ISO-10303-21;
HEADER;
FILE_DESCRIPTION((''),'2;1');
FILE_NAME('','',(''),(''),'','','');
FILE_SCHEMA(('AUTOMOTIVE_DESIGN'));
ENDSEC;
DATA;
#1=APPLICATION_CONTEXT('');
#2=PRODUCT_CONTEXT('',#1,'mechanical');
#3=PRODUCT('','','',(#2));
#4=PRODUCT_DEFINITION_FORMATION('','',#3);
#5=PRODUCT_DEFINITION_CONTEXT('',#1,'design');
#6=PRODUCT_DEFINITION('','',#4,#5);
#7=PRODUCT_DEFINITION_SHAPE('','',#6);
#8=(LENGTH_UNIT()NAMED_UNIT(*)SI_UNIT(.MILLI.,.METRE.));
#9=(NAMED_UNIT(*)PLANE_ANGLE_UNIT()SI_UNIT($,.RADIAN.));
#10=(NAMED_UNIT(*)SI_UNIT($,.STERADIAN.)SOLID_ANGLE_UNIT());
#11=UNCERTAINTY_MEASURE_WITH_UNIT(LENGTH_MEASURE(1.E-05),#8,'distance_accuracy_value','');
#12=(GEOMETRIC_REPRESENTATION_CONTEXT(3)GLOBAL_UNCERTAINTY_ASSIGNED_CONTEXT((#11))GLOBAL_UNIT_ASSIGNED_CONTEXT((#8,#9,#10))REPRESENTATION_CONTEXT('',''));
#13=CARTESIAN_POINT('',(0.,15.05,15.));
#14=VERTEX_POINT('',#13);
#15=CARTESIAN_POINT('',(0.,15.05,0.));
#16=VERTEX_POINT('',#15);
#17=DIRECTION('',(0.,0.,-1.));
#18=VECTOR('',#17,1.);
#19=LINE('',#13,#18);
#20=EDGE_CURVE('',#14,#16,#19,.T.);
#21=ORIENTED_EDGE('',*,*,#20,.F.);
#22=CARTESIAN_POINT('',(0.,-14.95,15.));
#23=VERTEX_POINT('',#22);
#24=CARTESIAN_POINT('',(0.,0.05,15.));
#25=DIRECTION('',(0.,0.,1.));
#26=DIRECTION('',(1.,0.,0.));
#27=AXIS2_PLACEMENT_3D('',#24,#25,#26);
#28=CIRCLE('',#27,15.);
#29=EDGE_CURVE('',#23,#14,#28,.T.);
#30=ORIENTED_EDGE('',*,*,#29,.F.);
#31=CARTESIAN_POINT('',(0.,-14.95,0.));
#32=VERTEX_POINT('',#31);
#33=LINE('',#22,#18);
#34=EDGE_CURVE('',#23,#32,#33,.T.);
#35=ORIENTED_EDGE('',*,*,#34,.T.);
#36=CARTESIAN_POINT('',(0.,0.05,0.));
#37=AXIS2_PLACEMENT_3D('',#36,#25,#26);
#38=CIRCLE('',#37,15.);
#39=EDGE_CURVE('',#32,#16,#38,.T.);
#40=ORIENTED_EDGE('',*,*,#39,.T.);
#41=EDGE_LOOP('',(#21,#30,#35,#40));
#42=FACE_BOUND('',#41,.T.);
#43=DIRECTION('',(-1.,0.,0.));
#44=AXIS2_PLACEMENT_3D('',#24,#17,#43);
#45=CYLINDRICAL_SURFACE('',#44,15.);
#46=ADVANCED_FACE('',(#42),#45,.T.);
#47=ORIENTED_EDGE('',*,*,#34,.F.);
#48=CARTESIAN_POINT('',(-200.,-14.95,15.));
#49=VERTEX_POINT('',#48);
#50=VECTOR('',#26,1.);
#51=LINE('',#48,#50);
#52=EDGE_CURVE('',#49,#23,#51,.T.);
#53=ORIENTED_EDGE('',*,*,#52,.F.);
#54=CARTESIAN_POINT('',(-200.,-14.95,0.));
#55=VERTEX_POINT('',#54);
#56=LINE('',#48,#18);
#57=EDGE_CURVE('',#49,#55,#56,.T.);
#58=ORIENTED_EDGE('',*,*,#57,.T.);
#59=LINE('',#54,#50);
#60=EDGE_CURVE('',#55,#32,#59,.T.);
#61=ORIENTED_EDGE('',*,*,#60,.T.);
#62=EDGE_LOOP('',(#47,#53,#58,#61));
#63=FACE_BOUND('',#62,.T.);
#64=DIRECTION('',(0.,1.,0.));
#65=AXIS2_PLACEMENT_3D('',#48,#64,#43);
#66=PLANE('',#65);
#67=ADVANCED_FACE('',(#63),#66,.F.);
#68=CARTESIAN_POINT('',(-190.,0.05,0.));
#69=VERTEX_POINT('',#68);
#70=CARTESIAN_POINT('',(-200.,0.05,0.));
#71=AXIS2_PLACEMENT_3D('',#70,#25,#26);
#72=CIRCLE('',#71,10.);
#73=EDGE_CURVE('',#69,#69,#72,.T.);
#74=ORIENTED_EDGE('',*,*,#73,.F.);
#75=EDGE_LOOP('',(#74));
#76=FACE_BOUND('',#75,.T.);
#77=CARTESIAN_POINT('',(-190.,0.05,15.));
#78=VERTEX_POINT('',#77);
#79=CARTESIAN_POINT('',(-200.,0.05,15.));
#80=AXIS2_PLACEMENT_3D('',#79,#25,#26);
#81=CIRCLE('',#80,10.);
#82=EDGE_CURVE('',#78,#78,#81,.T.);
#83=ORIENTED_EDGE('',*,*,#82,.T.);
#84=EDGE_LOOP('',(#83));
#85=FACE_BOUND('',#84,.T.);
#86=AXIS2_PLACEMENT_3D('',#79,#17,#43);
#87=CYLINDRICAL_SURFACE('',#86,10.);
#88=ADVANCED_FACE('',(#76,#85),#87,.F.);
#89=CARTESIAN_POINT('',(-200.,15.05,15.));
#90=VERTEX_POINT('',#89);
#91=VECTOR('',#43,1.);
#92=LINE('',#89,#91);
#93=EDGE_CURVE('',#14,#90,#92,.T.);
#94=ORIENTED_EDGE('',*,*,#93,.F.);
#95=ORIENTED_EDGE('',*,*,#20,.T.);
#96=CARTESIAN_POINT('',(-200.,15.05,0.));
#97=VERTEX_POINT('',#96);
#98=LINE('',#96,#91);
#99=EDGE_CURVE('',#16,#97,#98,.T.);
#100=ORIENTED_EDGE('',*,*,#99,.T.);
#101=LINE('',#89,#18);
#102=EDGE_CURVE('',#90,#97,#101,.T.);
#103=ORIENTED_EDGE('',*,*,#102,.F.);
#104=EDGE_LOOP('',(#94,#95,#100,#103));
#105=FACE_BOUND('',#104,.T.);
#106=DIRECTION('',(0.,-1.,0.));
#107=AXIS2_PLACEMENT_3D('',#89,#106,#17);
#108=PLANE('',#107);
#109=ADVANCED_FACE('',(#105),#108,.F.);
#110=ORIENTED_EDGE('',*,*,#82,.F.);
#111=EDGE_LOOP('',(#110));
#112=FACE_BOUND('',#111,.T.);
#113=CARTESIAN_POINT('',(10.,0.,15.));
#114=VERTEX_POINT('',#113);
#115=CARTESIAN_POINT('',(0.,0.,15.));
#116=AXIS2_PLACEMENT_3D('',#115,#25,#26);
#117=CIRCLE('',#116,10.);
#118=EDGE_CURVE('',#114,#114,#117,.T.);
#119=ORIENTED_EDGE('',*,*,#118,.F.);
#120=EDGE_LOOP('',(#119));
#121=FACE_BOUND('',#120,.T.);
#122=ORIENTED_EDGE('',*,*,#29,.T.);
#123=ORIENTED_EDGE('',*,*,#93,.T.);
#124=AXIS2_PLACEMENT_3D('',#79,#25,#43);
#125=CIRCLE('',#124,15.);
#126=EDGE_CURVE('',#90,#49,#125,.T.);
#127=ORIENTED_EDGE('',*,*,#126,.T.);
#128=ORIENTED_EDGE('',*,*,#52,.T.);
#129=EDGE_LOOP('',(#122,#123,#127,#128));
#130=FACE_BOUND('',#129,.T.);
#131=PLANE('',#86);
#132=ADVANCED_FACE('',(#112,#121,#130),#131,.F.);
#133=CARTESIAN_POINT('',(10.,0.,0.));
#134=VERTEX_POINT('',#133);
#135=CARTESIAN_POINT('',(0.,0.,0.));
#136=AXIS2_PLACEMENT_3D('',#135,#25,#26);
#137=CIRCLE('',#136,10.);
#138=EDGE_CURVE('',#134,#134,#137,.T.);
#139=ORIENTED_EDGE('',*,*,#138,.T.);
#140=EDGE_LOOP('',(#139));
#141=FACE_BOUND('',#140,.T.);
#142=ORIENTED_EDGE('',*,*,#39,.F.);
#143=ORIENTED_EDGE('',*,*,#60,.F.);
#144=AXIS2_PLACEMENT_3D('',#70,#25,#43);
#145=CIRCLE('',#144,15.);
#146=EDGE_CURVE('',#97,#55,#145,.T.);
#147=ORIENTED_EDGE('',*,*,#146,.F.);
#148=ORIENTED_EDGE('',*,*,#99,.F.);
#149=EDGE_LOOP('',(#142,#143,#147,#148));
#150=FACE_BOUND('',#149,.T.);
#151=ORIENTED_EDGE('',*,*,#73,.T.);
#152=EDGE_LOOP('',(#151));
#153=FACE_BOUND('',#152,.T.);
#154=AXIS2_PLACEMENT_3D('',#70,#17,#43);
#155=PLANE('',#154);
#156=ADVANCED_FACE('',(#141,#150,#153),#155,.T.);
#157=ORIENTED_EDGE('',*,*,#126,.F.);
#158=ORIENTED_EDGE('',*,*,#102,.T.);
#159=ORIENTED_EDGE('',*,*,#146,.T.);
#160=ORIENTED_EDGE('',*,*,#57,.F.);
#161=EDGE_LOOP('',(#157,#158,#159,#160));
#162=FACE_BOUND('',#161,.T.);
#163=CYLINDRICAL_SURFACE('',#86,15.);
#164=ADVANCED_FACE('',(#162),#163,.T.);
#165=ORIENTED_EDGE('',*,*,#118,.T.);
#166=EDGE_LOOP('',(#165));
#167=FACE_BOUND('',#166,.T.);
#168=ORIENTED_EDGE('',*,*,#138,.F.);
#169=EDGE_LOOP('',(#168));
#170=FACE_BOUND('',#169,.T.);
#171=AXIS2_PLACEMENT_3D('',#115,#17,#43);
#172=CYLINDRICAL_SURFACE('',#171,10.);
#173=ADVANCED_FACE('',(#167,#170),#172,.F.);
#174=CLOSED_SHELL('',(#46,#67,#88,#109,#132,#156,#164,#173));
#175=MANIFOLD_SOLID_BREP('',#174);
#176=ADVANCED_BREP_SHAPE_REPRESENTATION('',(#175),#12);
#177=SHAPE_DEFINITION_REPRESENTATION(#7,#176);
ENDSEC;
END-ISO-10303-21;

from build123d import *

# Parameters (mm, degrees)
SKETCH1_R      = 10
EXTRUDE1_DEPTH = 15


with BuildPart() as part:
    # Sketch1 → Extrude1 (new body)
    with BuildSketch(Plane.XY):
        with BuildLine():
            Line((-200, 15.05), (0, 15.05))
            ThreePointArc((0, 15.05), (15, 0.05), (0, -14.95))
            Line((0, -14.95), (-200, -14.95))
            ThreePointArc((-200, -14.95), (-215, 0.05), (-200, 15.05))
        make_face()
        with Locations((-200, 0.05)):
            Circle(SKETCH1_R, mode=Mode.SUBTRACT)
        Circle(SKETCH1_R, mode=Mode.SUBTRACT)
    extrude(amount=EXTRUDE1_DEPTH)


solid = part.part
